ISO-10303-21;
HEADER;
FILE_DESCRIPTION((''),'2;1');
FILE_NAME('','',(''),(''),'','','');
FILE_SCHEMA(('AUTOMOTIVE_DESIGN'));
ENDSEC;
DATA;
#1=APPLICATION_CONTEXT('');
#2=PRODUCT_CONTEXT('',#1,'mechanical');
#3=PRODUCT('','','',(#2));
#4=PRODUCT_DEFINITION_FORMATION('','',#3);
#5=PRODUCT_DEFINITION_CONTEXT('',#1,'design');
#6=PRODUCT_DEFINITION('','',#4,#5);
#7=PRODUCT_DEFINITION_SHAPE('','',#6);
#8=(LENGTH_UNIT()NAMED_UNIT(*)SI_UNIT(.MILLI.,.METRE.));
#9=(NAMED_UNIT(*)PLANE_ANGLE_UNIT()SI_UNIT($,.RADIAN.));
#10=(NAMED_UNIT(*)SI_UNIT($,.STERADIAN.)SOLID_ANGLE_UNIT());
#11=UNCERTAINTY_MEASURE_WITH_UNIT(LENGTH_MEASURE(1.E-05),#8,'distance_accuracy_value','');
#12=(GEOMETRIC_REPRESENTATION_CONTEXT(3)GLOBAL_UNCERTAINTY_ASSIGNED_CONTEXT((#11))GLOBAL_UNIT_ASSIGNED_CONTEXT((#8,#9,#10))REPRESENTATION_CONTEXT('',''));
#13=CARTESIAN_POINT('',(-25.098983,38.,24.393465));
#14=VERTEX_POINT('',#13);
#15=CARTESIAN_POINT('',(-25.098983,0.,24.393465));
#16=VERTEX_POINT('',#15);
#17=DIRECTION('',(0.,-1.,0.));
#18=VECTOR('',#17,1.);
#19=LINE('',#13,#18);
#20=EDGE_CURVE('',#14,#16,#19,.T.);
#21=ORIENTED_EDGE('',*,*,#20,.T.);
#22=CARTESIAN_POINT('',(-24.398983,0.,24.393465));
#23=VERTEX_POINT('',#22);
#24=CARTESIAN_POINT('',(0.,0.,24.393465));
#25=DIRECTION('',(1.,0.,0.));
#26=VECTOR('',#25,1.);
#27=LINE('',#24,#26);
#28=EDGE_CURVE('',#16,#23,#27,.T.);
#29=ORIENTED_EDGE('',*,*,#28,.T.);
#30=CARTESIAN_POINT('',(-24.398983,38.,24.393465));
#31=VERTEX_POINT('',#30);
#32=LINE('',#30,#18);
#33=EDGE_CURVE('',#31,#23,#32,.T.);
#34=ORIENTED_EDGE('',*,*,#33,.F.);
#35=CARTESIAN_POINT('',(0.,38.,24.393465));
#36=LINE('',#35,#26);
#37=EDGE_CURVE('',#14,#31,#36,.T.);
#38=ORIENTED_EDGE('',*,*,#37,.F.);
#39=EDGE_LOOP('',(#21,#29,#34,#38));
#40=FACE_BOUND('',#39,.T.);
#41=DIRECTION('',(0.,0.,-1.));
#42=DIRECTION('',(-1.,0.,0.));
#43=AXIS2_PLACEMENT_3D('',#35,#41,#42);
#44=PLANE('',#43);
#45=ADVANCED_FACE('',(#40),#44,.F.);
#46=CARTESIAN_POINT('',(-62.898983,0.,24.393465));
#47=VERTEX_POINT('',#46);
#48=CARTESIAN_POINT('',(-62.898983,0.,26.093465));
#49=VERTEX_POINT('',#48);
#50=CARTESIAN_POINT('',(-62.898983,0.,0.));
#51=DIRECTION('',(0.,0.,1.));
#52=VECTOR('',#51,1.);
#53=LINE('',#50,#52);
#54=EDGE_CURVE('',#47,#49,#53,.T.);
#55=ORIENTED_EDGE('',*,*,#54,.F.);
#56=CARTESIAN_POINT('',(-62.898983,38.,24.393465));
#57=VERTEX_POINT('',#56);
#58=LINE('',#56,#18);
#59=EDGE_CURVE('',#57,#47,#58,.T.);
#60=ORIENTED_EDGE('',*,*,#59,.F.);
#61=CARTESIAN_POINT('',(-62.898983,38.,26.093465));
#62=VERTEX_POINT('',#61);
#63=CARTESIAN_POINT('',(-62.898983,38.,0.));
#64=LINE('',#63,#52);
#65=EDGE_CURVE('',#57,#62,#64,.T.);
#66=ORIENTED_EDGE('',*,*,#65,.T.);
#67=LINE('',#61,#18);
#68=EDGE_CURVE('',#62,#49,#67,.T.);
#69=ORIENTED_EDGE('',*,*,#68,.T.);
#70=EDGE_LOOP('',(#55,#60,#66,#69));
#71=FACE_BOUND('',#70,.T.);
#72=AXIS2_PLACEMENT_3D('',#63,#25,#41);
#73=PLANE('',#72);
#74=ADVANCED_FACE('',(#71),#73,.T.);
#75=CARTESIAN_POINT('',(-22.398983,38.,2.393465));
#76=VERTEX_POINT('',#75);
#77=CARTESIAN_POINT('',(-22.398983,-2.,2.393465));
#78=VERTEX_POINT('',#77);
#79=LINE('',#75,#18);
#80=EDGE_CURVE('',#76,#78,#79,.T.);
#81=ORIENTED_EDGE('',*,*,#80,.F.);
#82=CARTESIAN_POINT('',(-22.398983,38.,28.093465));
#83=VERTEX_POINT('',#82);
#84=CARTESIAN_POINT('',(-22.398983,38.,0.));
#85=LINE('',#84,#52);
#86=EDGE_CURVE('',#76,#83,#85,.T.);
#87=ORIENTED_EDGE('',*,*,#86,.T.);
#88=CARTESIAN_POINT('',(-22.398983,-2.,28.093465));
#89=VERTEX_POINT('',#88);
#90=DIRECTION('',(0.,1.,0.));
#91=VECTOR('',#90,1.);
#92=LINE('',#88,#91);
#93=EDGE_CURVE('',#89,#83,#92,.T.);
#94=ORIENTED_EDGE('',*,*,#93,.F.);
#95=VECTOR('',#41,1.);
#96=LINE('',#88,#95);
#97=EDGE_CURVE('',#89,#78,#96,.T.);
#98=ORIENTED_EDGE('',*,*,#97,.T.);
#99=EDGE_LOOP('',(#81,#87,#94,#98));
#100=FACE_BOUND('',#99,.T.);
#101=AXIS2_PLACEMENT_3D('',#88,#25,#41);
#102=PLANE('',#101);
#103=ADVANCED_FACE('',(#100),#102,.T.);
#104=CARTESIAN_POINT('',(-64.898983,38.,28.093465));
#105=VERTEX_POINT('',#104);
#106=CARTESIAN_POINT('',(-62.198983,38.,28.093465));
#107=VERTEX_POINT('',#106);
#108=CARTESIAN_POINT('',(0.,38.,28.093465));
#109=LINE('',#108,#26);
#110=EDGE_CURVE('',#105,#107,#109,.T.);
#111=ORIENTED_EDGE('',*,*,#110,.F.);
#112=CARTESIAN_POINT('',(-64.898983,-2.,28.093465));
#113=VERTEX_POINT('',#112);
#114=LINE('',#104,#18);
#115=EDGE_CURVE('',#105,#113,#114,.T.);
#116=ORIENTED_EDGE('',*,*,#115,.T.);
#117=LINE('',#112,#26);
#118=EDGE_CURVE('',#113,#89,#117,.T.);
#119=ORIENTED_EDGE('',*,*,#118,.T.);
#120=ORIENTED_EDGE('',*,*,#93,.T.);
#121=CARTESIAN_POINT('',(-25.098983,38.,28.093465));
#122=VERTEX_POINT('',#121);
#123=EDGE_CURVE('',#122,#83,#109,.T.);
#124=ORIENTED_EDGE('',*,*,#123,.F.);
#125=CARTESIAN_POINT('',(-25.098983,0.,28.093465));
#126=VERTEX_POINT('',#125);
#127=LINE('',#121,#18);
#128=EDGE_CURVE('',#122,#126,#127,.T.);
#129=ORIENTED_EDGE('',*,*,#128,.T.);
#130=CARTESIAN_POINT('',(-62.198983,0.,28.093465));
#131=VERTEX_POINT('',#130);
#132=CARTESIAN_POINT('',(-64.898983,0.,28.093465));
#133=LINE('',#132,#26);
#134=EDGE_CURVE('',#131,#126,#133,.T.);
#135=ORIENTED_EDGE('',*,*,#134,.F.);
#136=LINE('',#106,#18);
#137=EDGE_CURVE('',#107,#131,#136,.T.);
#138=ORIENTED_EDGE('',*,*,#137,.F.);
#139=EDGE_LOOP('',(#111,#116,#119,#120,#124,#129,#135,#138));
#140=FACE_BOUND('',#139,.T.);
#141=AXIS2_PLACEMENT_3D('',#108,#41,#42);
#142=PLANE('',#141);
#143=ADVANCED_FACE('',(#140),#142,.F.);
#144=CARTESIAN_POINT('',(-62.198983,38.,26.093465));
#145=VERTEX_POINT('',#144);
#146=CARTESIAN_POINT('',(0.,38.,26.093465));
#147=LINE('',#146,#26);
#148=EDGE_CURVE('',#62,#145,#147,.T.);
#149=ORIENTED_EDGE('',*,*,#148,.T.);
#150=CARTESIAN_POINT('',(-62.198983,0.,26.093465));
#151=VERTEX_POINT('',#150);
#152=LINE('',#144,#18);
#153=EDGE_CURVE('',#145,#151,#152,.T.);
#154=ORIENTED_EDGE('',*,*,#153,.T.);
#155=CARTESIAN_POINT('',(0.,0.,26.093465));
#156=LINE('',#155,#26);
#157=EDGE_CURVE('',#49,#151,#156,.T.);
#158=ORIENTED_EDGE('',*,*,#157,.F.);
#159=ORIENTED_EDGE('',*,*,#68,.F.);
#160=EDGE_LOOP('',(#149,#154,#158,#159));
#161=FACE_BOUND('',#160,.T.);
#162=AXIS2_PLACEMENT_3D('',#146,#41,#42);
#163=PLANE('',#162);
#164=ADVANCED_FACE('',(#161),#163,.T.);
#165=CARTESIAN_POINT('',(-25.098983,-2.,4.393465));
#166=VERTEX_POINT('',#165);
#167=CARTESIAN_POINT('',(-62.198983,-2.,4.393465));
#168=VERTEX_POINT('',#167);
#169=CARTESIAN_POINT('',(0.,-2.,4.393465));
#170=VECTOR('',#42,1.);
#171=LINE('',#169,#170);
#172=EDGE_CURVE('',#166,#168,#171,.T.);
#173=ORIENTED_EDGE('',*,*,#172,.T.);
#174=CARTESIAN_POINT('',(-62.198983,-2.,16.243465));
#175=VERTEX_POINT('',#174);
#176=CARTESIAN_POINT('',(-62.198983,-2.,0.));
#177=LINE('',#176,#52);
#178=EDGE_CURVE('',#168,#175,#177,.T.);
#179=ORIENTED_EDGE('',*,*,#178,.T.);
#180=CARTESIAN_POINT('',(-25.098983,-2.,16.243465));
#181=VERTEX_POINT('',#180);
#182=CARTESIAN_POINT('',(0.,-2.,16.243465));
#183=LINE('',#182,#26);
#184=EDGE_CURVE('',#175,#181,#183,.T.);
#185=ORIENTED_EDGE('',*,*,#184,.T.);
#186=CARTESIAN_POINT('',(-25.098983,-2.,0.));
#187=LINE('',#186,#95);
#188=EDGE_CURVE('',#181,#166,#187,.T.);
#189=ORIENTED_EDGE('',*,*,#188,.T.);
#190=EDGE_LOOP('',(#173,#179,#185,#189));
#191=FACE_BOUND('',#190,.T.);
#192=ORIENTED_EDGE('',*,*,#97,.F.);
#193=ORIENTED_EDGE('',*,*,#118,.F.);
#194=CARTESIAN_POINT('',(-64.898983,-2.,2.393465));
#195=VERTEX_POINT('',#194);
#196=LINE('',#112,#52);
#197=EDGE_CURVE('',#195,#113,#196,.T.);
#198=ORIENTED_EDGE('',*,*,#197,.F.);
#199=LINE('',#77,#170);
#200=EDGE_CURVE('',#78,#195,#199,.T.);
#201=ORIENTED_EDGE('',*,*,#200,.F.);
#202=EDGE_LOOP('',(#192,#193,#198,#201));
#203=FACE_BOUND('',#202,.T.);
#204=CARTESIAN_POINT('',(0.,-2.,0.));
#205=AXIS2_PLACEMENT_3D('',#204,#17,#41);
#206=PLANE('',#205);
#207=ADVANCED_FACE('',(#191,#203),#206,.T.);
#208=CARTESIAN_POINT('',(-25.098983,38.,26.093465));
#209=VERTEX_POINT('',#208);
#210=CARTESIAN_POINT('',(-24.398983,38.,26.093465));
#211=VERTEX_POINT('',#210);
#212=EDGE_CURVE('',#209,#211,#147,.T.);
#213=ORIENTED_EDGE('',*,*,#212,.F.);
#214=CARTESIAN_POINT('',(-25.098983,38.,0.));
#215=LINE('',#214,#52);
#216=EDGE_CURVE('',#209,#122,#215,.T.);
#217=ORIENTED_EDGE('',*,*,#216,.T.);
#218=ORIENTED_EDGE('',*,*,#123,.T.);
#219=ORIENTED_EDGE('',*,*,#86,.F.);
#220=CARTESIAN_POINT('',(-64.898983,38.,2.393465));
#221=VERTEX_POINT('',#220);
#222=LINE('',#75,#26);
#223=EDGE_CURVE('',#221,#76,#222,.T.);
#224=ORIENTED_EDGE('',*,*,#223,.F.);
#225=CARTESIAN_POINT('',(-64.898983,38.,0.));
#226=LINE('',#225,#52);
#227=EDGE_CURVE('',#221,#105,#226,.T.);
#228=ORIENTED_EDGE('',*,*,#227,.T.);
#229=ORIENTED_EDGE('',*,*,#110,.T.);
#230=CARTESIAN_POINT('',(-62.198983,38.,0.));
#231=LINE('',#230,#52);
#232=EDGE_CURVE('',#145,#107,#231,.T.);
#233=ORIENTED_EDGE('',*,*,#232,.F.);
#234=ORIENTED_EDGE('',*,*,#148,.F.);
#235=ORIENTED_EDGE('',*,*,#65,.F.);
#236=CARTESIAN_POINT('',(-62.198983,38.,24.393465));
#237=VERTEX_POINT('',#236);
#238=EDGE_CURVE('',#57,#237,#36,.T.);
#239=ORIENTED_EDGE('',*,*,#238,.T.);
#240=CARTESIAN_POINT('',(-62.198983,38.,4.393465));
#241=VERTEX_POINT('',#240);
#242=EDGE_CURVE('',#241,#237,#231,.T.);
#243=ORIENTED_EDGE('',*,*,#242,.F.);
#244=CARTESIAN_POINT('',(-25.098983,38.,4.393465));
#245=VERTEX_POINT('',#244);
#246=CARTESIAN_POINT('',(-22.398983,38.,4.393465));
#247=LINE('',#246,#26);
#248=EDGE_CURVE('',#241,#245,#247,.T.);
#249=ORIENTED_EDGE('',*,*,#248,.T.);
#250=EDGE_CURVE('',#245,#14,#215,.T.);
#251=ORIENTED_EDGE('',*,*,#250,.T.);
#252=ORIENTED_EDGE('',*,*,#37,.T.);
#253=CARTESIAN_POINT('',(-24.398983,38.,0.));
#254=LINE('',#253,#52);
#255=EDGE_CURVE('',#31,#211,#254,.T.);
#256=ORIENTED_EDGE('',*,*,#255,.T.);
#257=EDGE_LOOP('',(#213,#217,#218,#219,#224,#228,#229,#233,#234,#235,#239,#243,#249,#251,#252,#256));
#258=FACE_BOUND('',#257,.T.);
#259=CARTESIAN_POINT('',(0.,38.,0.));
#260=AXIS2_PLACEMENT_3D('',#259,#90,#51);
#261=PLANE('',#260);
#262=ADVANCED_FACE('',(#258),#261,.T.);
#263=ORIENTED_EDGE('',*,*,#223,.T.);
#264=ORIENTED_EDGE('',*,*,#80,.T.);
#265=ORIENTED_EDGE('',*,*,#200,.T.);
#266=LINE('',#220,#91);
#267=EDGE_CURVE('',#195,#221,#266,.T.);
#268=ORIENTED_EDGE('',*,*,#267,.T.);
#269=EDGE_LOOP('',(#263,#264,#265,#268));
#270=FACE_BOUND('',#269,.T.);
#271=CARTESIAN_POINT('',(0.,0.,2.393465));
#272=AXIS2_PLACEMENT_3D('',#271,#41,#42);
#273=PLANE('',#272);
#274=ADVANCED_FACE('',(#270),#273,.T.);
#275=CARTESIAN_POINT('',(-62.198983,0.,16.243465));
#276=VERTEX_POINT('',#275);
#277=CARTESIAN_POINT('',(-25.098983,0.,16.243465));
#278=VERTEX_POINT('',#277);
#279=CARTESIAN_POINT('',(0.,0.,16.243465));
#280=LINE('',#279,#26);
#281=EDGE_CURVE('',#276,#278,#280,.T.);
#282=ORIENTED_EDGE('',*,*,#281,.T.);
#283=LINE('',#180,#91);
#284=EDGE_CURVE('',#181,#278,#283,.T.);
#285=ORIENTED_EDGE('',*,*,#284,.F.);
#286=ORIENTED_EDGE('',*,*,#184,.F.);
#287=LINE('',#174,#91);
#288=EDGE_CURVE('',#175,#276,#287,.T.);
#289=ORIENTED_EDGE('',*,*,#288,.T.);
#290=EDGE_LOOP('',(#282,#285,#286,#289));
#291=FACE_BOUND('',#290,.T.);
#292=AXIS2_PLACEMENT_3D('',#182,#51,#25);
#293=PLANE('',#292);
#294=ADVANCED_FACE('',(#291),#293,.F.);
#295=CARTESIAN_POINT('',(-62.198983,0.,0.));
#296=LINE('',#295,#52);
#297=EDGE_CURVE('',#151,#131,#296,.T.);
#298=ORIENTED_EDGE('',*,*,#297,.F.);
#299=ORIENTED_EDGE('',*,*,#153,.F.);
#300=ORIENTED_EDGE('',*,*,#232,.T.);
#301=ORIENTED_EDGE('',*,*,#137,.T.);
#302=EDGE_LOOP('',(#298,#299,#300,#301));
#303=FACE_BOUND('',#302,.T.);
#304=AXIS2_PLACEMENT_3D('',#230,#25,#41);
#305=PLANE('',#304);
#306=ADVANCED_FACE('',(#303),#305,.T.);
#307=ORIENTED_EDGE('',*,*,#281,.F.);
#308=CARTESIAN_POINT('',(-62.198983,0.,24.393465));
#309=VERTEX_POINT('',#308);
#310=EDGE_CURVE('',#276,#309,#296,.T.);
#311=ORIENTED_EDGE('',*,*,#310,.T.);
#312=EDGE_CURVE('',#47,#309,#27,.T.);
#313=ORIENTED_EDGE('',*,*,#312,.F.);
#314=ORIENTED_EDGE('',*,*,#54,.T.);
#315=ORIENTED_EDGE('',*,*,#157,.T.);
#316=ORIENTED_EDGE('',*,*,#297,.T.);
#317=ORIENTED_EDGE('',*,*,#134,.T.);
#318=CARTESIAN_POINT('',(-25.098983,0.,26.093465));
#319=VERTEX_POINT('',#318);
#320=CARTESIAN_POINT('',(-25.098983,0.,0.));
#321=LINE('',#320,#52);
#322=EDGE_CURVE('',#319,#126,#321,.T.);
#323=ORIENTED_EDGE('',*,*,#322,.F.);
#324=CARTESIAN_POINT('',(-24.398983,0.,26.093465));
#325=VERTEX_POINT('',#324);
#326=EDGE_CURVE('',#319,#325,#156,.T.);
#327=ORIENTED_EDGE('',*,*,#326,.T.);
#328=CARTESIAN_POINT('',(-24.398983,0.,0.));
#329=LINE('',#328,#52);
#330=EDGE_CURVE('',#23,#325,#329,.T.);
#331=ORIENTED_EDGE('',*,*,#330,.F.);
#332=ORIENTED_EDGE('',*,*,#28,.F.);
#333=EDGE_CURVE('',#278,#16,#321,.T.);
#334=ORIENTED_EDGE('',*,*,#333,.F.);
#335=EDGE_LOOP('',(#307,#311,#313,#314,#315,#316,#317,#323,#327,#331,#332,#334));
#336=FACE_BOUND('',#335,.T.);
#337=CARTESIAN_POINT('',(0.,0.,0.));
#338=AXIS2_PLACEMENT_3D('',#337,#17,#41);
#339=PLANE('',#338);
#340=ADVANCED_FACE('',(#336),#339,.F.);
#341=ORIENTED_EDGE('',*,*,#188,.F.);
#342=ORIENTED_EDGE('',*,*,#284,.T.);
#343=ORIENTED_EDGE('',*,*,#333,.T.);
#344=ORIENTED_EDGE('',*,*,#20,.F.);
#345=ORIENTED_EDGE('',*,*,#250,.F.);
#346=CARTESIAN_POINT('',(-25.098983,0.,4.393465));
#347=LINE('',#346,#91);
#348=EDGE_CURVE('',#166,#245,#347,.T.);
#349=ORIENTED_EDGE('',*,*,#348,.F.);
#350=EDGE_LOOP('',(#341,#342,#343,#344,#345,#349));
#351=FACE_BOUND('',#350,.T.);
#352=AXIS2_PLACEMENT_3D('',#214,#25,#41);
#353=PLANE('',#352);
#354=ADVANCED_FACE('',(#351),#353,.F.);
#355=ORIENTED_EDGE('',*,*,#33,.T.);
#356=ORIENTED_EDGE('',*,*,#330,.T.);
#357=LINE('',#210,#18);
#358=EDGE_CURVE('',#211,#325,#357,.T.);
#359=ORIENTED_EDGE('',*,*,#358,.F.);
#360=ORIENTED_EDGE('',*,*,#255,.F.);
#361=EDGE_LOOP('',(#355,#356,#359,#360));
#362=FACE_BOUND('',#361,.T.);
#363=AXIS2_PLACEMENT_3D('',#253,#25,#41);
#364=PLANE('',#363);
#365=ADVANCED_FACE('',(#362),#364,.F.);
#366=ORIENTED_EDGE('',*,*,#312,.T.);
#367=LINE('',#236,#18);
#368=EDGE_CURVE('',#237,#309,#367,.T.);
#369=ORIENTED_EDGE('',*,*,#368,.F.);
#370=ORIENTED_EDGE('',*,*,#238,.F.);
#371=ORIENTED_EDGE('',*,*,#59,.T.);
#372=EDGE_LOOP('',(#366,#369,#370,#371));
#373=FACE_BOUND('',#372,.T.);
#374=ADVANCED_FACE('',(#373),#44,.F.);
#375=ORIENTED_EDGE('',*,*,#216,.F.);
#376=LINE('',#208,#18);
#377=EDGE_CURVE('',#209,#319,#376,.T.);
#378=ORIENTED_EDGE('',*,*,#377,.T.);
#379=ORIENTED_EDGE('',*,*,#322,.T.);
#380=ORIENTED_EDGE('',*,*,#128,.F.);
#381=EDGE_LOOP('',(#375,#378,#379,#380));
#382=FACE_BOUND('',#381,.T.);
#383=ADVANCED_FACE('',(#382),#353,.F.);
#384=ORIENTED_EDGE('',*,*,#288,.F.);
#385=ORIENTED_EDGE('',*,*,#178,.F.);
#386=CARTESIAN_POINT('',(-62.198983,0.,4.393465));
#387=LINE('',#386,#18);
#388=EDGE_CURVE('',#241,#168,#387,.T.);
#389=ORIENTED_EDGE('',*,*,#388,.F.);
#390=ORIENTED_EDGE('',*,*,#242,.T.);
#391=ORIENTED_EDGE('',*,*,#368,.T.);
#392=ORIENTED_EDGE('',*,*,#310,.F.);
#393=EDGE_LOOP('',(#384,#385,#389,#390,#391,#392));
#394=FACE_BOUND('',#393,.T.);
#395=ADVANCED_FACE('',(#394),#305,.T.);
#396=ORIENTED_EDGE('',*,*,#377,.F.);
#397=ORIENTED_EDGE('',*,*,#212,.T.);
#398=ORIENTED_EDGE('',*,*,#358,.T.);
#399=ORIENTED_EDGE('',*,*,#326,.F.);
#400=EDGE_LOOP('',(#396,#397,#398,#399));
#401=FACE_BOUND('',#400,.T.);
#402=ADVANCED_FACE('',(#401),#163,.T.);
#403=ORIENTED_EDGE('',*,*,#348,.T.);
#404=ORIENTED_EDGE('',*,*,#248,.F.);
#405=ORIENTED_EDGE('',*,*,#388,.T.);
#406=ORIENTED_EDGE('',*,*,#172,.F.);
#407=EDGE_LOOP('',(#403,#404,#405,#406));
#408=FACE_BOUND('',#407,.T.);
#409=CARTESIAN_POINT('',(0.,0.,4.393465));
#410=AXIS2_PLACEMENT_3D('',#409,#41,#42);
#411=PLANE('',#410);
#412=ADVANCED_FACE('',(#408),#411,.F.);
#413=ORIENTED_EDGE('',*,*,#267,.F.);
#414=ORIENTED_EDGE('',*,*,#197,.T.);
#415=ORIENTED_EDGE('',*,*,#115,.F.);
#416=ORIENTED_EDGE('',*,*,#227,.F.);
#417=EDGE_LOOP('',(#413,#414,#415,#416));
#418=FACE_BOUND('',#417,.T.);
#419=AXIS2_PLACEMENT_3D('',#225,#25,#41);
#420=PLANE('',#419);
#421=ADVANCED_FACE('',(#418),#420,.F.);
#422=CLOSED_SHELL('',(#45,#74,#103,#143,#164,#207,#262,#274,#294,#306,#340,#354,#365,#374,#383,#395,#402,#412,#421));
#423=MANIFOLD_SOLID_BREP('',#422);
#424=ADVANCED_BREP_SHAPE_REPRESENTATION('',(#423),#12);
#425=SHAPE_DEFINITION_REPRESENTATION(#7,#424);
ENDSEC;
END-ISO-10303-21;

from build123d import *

# Parameters (mm, degrees)
BOSS_EXTRUDE1_DEPTH   = 38
BOSS_EXTRUDE1_2_DEPTH = 38
SKETCH2_W             = 42.5
SKETCH2_H             = 5.7
BOSS_EXTRUDE2_DEPTH   = 2
BOSS_EXTRUDE3_DEPTH   = 18
SKETCH4_W             = 42.5
SKETCH4_H             = 40
BOSS_EXTRUDE4_DEPTH   = 2
SKETCH5_W             = 37.1
SKETCH5_H             = 11.85
CUT_EXTRUDE1_DEPTH    = 81.281509747


with BuildPart() as part:
    # Sketch1 → Boss-Extrude1 (new body)
    with BuildSketch(Plane(origin=(0, 0, 0), x_dir=(1, 0, 0), z_dir=(0, 1, 0))):
        Polygon((-62.898983402, -26.09346473), (-62.898983402, -24.39346473), (-62.198983402, -24.39346473), (-62.198983402, -22.39346473), (-64.898983402, -22.39346473), (-64.898983402, -28.09346473), (-62.198983402, -28.09346473), (-62.198983402, -26.09346473), align=None)
    extrude(amount=BOSS_EXTRUDE1_DEPTH)



with BuildPart() as body_2:
    # Sketch1 → Boss-Extrude1 2 (new body)
    with BuildSketch(Plane(origin=(0, 0, 0), x_dir=(1, 0, 0), z_dir=(0, 1, 0))):
        Polygon((-25.098983402, -22.39346473), (-25.098983402, -24.39346473), (-24.398983402, -24.39346473), (-24.398983402, -26.09346473), (-25.098983402, -26.09346473), (-25.098983402, -28.09346473), (-22.398983402, -28.09346473), (-22.398983402, -22.39346473), align=None)
    extrude(amount=BOSS_EXTRUDE1_2_DEPTH)


with BuildPart() as part_1:
    add(part.part)

    add(body_2.part)  # Boss-Extrude2 merges body 2
    # Sketch2 → Boss-Extrude2 (add)
    with BuildSketch(Plane(origin=(0, 0, 0), x_dir=(1, 0, 0), z_dir=(0, 1, 0))):
        with Locations((-43.648983402, -25.24346473)):
            Rectangle(SKETCH2_W, SKETCH2_H)
    extrude(amount=-BOSS_EXTRUDE2_DEPTH)

    # Sketch3 → Boss-Extrude3 (add)
    with BuildSketch(Plane(origin=(0, 0, 22.39346473), x_dir=(-1, 0, 0), z_dir=(0, 0, -1))):
        Polygon((64.898983402, 38), (62.198983402, 38), (62.198983402, 0), (25.098983402, 0), (25.098983402, 38), (22.398983402, 38), (22.398983402, -2), (64.898983402, -2), align=None)
    extrude(amount=BOSS_EXTRUDE3_DEPTH)

    # Sketch4 → Boss-Extrude4 (add)
    with BuildSketch(Plane(origin=(0, 0, 4.39346473), x_dir=(-1, 0, 0), z_dir=(0, 0, -1))):
        with Locations((43.648983402, 18)):
            Rectangle(SKETCH4_W, SKETCH4_H)
    extrude(amount=BOSS_EXTRUDE4_DEPTH)

    # Sketch5 → Cut-Extrude1 (cut, through all)
    with BuildSketch(Plane(origin=(0, 0, 0), x_dir=(1, 0, 0), z_dir=(0, 1, 0))):
        with Locations((-43.648983402, -10.31846473)):
            Rectangle(SKETCH5_W, SKETCH5_H)
    extrude(amount=-CUT_EXTRUDE1_DEPTH, mode=Mode.SUBTRACT)


solid = part_1.part
